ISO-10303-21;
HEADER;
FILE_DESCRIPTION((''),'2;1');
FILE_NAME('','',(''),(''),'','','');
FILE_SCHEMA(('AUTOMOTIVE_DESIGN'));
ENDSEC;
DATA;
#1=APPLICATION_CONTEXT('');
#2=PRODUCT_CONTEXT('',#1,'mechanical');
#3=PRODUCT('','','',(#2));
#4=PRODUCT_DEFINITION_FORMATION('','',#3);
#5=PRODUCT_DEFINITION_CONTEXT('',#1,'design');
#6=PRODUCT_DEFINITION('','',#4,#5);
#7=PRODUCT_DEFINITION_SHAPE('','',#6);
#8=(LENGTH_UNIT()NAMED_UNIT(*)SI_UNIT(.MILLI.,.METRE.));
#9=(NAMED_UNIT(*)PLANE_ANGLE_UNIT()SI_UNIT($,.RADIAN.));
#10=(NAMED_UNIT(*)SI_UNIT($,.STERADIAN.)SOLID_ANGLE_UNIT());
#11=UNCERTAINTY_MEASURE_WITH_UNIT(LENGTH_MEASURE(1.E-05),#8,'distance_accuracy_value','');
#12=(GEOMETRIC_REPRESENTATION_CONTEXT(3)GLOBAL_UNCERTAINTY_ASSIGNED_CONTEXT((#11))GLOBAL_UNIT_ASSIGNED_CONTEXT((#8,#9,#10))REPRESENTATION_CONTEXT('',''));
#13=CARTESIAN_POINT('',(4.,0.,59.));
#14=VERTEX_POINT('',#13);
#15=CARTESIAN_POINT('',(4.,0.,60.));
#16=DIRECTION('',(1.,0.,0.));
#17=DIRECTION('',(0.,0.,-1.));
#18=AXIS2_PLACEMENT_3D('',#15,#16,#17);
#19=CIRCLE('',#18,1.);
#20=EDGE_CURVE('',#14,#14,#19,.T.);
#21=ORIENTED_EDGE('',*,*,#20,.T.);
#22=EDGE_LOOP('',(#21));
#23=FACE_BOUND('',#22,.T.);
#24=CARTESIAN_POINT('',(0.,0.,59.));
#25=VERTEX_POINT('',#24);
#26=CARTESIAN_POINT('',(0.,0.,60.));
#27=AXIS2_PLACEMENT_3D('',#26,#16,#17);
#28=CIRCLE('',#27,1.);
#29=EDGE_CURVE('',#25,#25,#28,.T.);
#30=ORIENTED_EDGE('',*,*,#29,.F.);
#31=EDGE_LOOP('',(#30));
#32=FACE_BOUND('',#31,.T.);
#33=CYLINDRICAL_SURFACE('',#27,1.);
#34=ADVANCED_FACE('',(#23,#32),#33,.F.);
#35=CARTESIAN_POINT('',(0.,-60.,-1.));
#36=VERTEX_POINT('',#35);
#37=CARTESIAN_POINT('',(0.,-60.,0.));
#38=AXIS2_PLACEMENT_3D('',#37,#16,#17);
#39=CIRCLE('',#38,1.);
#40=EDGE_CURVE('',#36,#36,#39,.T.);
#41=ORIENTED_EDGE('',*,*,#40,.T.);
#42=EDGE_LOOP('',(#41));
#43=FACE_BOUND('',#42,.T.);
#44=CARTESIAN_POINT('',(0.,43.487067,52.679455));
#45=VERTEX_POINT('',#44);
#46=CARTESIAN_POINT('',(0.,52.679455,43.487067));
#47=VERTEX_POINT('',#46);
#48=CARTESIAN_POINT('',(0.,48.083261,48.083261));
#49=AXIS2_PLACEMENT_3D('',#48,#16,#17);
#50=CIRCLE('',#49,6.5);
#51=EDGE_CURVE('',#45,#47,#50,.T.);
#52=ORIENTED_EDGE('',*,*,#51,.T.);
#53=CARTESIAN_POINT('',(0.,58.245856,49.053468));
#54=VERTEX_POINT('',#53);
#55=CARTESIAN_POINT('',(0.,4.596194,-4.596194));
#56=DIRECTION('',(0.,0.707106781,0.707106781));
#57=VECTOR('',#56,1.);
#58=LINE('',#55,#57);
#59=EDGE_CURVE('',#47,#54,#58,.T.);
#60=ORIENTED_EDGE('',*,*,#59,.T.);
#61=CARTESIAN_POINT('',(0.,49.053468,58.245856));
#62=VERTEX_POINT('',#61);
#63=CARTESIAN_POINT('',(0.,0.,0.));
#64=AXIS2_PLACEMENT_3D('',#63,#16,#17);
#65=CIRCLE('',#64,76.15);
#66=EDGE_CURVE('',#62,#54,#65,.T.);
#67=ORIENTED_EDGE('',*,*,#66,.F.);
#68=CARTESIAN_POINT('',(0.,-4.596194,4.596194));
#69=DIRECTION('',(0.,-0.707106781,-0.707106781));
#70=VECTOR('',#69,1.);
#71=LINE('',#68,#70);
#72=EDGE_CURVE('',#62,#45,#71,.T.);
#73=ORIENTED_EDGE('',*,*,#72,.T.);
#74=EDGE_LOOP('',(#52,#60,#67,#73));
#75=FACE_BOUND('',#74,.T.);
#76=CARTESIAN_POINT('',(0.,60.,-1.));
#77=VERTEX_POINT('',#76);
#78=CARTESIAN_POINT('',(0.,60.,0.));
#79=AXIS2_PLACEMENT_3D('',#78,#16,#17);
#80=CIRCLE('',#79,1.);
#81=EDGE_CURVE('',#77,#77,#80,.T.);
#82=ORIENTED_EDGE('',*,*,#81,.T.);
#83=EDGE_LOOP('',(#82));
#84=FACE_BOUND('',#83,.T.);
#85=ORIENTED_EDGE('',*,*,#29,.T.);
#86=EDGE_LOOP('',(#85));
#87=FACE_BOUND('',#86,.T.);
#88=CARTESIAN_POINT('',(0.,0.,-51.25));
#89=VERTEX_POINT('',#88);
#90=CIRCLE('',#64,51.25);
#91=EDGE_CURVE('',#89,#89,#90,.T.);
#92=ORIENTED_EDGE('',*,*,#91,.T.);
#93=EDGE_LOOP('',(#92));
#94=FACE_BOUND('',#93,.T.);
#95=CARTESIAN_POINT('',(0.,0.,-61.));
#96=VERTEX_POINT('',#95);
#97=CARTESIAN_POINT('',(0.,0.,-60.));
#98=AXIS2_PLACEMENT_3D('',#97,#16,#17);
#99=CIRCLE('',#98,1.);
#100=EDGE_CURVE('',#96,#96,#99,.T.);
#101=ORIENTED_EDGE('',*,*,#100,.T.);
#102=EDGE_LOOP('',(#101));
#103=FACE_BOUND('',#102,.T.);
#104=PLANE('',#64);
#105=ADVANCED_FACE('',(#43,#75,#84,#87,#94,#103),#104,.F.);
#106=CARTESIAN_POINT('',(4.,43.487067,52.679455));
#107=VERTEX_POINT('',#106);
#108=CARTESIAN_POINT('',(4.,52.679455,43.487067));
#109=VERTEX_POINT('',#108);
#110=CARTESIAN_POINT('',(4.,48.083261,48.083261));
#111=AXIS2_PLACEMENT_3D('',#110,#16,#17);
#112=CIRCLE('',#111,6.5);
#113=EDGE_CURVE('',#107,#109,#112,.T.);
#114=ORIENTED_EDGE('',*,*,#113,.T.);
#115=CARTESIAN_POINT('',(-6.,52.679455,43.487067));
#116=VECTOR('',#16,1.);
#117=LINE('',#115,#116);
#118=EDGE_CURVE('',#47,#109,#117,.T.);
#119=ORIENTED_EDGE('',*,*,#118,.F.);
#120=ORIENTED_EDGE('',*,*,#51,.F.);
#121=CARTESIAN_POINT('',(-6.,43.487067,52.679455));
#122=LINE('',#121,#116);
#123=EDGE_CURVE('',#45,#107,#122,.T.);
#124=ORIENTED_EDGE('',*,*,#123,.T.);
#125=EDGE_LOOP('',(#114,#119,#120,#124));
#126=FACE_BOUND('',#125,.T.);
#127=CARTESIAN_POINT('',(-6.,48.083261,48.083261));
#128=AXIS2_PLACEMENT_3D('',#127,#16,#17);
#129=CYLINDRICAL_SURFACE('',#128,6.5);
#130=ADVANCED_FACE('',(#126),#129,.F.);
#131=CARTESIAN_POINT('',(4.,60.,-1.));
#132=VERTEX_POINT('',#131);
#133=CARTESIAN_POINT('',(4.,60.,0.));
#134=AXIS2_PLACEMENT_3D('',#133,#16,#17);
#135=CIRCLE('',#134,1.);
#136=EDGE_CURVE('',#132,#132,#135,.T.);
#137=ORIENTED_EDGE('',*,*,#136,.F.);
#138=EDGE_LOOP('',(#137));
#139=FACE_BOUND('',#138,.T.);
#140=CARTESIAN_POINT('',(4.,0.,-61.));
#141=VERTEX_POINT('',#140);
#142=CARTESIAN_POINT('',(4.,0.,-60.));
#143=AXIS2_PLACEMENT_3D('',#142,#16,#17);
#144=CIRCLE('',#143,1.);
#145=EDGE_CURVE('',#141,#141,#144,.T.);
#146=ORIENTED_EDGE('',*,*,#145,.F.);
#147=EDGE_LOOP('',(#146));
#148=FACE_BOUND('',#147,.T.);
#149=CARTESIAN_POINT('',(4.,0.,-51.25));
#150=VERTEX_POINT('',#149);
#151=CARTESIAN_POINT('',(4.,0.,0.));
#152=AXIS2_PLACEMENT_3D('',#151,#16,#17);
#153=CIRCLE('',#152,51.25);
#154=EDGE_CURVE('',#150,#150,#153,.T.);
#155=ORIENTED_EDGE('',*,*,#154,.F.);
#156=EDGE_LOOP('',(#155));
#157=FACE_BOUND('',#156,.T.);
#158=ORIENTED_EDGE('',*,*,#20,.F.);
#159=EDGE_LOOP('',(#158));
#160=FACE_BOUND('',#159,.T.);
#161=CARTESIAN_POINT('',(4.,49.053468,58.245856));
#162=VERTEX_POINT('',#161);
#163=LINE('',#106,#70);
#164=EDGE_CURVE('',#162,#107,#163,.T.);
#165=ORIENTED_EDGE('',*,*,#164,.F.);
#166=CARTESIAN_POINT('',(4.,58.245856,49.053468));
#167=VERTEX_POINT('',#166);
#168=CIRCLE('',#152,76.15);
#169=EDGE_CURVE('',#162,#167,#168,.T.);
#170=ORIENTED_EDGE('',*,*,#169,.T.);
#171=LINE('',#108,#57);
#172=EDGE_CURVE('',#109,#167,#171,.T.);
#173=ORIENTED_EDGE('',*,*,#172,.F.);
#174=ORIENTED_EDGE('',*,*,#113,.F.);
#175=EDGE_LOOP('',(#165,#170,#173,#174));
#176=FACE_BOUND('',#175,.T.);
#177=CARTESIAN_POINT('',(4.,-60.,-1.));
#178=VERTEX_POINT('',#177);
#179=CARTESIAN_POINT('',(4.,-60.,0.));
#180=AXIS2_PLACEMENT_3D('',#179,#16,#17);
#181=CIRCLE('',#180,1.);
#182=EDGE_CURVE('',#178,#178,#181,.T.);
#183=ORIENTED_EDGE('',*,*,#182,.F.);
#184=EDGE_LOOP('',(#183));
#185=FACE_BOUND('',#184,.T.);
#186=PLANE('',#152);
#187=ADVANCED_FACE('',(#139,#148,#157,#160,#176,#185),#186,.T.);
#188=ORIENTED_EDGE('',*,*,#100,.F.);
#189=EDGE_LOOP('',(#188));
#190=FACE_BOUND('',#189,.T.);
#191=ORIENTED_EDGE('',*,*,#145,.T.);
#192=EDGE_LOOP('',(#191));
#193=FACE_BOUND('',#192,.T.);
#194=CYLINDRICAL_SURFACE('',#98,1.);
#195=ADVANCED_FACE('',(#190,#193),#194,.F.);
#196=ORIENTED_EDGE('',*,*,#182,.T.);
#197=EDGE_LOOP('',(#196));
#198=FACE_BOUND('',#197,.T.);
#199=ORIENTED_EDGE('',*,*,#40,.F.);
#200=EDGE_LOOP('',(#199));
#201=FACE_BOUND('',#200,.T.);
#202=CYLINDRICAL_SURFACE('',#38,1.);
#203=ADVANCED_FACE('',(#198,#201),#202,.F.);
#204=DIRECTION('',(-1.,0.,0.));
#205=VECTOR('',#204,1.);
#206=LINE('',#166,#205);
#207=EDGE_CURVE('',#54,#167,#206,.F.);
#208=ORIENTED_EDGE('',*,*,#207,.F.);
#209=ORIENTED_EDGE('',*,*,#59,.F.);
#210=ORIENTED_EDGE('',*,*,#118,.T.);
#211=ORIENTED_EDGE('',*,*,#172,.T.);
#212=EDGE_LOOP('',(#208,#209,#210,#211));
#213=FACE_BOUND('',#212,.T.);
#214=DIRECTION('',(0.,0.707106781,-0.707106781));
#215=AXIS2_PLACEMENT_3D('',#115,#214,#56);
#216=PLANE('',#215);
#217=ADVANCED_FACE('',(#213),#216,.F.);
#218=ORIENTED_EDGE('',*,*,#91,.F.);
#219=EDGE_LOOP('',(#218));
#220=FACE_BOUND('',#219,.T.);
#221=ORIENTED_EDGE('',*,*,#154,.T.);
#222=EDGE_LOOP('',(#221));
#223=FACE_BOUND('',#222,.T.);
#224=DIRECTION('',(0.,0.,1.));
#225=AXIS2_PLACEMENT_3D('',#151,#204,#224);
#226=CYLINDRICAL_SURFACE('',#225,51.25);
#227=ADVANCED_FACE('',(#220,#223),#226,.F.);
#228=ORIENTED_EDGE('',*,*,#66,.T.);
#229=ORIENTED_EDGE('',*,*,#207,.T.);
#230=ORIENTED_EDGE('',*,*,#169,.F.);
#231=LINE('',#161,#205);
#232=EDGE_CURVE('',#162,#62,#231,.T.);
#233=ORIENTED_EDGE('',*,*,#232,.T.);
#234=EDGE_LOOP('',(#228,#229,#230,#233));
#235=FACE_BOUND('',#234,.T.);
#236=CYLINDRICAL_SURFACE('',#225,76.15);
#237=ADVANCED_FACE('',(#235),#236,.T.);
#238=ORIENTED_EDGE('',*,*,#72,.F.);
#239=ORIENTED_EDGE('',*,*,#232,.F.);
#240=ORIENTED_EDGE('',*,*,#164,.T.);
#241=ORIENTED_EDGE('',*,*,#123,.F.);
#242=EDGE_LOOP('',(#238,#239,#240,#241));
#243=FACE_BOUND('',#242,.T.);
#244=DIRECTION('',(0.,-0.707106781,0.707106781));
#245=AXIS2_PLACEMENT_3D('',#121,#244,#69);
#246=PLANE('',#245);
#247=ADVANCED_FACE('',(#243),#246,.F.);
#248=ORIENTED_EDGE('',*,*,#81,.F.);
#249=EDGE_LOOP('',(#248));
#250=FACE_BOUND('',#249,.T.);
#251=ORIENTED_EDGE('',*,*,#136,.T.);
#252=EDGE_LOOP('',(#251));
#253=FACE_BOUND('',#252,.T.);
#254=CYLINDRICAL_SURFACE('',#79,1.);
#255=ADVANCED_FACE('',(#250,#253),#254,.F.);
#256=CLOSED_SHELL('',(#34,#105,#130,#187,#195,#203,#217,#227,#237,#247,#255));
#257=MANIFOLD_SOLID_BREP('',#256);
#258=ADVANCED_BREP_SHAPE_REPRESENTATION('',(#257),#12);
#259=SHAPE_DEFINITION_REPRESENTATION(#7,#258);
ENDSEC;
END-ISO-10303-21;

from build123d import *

# Parameters (mm, degrees)
ESQUISSE1_R        = 76.15
ESQUISSE1_R_2      = 51.25
BOSS_EXTRU_1_DEPTH = 4
SKETCH1_R          = 1
AIR_VENTS_DEPTH    = 108.766622848
CUT_EXTRUDE1_DEPTH = 10


with BuildPart() as part:
    # Esquisse1 → Boss.-Extru.1 (new body)
    with BuildSketch(Plane(origin=(0, 0, 0), x_dir=(0, 0, -1), z_dir=(1, 0, 0))):
        Circle(ESQUISSE1_R)
        Circle(ESQUISSE1_R_2, mode=Mode.SUBTRACT)
    extrude(amount=BOSS_EXTRU_1_DEPTH)

    # Sketch1 → air vents (cut, through all)
    with BuildSketch(Plane(origin=(4, 0, 0), x_dir=(0, 0, -1), z_dir=(1, 0, 0))):
        with Locations((0, 60)):
            Circle(SKETCH1_R)
        with Locations((60, 0)):
            Circle(SKETCH1_R)
        with Locations((0, -60)):
            Circle(SKETCH1_R)
        with Locations((-60, 0)):
            Circle(SKETCH1_R)
    extrude(amount=-AIR_VENTS_DEPTH, mode=Mode.SUBTRACT)

    # Sketch2 → Cut-Extrude1 (cut)
    with BuildSketch(Plane(origin=(4, 0, 0), x_dir=(0, 0, -1), z_dir=(1, 0, 0))):
        with BuildLine():
            Line((-43.487067043, 52.679455198), (-81.600352415, 90.79274057))
            Line((-81.600352415, 90.79274057), (-92.273966974, 83.081578819))
            Line((-92.273966974, 83.081578819), (-52.679455198, 43.487067043))
            ThreePointArc((-52.679455198, 43.487067043), (-43.487067043, 43.487067043), (-43.487067043, 52.679455198))
        make_face()
    extrude(amount=-CUT_EXTRUDE1_DEPTH, mode=Mode.SUBTRACT)


solid = part.part
